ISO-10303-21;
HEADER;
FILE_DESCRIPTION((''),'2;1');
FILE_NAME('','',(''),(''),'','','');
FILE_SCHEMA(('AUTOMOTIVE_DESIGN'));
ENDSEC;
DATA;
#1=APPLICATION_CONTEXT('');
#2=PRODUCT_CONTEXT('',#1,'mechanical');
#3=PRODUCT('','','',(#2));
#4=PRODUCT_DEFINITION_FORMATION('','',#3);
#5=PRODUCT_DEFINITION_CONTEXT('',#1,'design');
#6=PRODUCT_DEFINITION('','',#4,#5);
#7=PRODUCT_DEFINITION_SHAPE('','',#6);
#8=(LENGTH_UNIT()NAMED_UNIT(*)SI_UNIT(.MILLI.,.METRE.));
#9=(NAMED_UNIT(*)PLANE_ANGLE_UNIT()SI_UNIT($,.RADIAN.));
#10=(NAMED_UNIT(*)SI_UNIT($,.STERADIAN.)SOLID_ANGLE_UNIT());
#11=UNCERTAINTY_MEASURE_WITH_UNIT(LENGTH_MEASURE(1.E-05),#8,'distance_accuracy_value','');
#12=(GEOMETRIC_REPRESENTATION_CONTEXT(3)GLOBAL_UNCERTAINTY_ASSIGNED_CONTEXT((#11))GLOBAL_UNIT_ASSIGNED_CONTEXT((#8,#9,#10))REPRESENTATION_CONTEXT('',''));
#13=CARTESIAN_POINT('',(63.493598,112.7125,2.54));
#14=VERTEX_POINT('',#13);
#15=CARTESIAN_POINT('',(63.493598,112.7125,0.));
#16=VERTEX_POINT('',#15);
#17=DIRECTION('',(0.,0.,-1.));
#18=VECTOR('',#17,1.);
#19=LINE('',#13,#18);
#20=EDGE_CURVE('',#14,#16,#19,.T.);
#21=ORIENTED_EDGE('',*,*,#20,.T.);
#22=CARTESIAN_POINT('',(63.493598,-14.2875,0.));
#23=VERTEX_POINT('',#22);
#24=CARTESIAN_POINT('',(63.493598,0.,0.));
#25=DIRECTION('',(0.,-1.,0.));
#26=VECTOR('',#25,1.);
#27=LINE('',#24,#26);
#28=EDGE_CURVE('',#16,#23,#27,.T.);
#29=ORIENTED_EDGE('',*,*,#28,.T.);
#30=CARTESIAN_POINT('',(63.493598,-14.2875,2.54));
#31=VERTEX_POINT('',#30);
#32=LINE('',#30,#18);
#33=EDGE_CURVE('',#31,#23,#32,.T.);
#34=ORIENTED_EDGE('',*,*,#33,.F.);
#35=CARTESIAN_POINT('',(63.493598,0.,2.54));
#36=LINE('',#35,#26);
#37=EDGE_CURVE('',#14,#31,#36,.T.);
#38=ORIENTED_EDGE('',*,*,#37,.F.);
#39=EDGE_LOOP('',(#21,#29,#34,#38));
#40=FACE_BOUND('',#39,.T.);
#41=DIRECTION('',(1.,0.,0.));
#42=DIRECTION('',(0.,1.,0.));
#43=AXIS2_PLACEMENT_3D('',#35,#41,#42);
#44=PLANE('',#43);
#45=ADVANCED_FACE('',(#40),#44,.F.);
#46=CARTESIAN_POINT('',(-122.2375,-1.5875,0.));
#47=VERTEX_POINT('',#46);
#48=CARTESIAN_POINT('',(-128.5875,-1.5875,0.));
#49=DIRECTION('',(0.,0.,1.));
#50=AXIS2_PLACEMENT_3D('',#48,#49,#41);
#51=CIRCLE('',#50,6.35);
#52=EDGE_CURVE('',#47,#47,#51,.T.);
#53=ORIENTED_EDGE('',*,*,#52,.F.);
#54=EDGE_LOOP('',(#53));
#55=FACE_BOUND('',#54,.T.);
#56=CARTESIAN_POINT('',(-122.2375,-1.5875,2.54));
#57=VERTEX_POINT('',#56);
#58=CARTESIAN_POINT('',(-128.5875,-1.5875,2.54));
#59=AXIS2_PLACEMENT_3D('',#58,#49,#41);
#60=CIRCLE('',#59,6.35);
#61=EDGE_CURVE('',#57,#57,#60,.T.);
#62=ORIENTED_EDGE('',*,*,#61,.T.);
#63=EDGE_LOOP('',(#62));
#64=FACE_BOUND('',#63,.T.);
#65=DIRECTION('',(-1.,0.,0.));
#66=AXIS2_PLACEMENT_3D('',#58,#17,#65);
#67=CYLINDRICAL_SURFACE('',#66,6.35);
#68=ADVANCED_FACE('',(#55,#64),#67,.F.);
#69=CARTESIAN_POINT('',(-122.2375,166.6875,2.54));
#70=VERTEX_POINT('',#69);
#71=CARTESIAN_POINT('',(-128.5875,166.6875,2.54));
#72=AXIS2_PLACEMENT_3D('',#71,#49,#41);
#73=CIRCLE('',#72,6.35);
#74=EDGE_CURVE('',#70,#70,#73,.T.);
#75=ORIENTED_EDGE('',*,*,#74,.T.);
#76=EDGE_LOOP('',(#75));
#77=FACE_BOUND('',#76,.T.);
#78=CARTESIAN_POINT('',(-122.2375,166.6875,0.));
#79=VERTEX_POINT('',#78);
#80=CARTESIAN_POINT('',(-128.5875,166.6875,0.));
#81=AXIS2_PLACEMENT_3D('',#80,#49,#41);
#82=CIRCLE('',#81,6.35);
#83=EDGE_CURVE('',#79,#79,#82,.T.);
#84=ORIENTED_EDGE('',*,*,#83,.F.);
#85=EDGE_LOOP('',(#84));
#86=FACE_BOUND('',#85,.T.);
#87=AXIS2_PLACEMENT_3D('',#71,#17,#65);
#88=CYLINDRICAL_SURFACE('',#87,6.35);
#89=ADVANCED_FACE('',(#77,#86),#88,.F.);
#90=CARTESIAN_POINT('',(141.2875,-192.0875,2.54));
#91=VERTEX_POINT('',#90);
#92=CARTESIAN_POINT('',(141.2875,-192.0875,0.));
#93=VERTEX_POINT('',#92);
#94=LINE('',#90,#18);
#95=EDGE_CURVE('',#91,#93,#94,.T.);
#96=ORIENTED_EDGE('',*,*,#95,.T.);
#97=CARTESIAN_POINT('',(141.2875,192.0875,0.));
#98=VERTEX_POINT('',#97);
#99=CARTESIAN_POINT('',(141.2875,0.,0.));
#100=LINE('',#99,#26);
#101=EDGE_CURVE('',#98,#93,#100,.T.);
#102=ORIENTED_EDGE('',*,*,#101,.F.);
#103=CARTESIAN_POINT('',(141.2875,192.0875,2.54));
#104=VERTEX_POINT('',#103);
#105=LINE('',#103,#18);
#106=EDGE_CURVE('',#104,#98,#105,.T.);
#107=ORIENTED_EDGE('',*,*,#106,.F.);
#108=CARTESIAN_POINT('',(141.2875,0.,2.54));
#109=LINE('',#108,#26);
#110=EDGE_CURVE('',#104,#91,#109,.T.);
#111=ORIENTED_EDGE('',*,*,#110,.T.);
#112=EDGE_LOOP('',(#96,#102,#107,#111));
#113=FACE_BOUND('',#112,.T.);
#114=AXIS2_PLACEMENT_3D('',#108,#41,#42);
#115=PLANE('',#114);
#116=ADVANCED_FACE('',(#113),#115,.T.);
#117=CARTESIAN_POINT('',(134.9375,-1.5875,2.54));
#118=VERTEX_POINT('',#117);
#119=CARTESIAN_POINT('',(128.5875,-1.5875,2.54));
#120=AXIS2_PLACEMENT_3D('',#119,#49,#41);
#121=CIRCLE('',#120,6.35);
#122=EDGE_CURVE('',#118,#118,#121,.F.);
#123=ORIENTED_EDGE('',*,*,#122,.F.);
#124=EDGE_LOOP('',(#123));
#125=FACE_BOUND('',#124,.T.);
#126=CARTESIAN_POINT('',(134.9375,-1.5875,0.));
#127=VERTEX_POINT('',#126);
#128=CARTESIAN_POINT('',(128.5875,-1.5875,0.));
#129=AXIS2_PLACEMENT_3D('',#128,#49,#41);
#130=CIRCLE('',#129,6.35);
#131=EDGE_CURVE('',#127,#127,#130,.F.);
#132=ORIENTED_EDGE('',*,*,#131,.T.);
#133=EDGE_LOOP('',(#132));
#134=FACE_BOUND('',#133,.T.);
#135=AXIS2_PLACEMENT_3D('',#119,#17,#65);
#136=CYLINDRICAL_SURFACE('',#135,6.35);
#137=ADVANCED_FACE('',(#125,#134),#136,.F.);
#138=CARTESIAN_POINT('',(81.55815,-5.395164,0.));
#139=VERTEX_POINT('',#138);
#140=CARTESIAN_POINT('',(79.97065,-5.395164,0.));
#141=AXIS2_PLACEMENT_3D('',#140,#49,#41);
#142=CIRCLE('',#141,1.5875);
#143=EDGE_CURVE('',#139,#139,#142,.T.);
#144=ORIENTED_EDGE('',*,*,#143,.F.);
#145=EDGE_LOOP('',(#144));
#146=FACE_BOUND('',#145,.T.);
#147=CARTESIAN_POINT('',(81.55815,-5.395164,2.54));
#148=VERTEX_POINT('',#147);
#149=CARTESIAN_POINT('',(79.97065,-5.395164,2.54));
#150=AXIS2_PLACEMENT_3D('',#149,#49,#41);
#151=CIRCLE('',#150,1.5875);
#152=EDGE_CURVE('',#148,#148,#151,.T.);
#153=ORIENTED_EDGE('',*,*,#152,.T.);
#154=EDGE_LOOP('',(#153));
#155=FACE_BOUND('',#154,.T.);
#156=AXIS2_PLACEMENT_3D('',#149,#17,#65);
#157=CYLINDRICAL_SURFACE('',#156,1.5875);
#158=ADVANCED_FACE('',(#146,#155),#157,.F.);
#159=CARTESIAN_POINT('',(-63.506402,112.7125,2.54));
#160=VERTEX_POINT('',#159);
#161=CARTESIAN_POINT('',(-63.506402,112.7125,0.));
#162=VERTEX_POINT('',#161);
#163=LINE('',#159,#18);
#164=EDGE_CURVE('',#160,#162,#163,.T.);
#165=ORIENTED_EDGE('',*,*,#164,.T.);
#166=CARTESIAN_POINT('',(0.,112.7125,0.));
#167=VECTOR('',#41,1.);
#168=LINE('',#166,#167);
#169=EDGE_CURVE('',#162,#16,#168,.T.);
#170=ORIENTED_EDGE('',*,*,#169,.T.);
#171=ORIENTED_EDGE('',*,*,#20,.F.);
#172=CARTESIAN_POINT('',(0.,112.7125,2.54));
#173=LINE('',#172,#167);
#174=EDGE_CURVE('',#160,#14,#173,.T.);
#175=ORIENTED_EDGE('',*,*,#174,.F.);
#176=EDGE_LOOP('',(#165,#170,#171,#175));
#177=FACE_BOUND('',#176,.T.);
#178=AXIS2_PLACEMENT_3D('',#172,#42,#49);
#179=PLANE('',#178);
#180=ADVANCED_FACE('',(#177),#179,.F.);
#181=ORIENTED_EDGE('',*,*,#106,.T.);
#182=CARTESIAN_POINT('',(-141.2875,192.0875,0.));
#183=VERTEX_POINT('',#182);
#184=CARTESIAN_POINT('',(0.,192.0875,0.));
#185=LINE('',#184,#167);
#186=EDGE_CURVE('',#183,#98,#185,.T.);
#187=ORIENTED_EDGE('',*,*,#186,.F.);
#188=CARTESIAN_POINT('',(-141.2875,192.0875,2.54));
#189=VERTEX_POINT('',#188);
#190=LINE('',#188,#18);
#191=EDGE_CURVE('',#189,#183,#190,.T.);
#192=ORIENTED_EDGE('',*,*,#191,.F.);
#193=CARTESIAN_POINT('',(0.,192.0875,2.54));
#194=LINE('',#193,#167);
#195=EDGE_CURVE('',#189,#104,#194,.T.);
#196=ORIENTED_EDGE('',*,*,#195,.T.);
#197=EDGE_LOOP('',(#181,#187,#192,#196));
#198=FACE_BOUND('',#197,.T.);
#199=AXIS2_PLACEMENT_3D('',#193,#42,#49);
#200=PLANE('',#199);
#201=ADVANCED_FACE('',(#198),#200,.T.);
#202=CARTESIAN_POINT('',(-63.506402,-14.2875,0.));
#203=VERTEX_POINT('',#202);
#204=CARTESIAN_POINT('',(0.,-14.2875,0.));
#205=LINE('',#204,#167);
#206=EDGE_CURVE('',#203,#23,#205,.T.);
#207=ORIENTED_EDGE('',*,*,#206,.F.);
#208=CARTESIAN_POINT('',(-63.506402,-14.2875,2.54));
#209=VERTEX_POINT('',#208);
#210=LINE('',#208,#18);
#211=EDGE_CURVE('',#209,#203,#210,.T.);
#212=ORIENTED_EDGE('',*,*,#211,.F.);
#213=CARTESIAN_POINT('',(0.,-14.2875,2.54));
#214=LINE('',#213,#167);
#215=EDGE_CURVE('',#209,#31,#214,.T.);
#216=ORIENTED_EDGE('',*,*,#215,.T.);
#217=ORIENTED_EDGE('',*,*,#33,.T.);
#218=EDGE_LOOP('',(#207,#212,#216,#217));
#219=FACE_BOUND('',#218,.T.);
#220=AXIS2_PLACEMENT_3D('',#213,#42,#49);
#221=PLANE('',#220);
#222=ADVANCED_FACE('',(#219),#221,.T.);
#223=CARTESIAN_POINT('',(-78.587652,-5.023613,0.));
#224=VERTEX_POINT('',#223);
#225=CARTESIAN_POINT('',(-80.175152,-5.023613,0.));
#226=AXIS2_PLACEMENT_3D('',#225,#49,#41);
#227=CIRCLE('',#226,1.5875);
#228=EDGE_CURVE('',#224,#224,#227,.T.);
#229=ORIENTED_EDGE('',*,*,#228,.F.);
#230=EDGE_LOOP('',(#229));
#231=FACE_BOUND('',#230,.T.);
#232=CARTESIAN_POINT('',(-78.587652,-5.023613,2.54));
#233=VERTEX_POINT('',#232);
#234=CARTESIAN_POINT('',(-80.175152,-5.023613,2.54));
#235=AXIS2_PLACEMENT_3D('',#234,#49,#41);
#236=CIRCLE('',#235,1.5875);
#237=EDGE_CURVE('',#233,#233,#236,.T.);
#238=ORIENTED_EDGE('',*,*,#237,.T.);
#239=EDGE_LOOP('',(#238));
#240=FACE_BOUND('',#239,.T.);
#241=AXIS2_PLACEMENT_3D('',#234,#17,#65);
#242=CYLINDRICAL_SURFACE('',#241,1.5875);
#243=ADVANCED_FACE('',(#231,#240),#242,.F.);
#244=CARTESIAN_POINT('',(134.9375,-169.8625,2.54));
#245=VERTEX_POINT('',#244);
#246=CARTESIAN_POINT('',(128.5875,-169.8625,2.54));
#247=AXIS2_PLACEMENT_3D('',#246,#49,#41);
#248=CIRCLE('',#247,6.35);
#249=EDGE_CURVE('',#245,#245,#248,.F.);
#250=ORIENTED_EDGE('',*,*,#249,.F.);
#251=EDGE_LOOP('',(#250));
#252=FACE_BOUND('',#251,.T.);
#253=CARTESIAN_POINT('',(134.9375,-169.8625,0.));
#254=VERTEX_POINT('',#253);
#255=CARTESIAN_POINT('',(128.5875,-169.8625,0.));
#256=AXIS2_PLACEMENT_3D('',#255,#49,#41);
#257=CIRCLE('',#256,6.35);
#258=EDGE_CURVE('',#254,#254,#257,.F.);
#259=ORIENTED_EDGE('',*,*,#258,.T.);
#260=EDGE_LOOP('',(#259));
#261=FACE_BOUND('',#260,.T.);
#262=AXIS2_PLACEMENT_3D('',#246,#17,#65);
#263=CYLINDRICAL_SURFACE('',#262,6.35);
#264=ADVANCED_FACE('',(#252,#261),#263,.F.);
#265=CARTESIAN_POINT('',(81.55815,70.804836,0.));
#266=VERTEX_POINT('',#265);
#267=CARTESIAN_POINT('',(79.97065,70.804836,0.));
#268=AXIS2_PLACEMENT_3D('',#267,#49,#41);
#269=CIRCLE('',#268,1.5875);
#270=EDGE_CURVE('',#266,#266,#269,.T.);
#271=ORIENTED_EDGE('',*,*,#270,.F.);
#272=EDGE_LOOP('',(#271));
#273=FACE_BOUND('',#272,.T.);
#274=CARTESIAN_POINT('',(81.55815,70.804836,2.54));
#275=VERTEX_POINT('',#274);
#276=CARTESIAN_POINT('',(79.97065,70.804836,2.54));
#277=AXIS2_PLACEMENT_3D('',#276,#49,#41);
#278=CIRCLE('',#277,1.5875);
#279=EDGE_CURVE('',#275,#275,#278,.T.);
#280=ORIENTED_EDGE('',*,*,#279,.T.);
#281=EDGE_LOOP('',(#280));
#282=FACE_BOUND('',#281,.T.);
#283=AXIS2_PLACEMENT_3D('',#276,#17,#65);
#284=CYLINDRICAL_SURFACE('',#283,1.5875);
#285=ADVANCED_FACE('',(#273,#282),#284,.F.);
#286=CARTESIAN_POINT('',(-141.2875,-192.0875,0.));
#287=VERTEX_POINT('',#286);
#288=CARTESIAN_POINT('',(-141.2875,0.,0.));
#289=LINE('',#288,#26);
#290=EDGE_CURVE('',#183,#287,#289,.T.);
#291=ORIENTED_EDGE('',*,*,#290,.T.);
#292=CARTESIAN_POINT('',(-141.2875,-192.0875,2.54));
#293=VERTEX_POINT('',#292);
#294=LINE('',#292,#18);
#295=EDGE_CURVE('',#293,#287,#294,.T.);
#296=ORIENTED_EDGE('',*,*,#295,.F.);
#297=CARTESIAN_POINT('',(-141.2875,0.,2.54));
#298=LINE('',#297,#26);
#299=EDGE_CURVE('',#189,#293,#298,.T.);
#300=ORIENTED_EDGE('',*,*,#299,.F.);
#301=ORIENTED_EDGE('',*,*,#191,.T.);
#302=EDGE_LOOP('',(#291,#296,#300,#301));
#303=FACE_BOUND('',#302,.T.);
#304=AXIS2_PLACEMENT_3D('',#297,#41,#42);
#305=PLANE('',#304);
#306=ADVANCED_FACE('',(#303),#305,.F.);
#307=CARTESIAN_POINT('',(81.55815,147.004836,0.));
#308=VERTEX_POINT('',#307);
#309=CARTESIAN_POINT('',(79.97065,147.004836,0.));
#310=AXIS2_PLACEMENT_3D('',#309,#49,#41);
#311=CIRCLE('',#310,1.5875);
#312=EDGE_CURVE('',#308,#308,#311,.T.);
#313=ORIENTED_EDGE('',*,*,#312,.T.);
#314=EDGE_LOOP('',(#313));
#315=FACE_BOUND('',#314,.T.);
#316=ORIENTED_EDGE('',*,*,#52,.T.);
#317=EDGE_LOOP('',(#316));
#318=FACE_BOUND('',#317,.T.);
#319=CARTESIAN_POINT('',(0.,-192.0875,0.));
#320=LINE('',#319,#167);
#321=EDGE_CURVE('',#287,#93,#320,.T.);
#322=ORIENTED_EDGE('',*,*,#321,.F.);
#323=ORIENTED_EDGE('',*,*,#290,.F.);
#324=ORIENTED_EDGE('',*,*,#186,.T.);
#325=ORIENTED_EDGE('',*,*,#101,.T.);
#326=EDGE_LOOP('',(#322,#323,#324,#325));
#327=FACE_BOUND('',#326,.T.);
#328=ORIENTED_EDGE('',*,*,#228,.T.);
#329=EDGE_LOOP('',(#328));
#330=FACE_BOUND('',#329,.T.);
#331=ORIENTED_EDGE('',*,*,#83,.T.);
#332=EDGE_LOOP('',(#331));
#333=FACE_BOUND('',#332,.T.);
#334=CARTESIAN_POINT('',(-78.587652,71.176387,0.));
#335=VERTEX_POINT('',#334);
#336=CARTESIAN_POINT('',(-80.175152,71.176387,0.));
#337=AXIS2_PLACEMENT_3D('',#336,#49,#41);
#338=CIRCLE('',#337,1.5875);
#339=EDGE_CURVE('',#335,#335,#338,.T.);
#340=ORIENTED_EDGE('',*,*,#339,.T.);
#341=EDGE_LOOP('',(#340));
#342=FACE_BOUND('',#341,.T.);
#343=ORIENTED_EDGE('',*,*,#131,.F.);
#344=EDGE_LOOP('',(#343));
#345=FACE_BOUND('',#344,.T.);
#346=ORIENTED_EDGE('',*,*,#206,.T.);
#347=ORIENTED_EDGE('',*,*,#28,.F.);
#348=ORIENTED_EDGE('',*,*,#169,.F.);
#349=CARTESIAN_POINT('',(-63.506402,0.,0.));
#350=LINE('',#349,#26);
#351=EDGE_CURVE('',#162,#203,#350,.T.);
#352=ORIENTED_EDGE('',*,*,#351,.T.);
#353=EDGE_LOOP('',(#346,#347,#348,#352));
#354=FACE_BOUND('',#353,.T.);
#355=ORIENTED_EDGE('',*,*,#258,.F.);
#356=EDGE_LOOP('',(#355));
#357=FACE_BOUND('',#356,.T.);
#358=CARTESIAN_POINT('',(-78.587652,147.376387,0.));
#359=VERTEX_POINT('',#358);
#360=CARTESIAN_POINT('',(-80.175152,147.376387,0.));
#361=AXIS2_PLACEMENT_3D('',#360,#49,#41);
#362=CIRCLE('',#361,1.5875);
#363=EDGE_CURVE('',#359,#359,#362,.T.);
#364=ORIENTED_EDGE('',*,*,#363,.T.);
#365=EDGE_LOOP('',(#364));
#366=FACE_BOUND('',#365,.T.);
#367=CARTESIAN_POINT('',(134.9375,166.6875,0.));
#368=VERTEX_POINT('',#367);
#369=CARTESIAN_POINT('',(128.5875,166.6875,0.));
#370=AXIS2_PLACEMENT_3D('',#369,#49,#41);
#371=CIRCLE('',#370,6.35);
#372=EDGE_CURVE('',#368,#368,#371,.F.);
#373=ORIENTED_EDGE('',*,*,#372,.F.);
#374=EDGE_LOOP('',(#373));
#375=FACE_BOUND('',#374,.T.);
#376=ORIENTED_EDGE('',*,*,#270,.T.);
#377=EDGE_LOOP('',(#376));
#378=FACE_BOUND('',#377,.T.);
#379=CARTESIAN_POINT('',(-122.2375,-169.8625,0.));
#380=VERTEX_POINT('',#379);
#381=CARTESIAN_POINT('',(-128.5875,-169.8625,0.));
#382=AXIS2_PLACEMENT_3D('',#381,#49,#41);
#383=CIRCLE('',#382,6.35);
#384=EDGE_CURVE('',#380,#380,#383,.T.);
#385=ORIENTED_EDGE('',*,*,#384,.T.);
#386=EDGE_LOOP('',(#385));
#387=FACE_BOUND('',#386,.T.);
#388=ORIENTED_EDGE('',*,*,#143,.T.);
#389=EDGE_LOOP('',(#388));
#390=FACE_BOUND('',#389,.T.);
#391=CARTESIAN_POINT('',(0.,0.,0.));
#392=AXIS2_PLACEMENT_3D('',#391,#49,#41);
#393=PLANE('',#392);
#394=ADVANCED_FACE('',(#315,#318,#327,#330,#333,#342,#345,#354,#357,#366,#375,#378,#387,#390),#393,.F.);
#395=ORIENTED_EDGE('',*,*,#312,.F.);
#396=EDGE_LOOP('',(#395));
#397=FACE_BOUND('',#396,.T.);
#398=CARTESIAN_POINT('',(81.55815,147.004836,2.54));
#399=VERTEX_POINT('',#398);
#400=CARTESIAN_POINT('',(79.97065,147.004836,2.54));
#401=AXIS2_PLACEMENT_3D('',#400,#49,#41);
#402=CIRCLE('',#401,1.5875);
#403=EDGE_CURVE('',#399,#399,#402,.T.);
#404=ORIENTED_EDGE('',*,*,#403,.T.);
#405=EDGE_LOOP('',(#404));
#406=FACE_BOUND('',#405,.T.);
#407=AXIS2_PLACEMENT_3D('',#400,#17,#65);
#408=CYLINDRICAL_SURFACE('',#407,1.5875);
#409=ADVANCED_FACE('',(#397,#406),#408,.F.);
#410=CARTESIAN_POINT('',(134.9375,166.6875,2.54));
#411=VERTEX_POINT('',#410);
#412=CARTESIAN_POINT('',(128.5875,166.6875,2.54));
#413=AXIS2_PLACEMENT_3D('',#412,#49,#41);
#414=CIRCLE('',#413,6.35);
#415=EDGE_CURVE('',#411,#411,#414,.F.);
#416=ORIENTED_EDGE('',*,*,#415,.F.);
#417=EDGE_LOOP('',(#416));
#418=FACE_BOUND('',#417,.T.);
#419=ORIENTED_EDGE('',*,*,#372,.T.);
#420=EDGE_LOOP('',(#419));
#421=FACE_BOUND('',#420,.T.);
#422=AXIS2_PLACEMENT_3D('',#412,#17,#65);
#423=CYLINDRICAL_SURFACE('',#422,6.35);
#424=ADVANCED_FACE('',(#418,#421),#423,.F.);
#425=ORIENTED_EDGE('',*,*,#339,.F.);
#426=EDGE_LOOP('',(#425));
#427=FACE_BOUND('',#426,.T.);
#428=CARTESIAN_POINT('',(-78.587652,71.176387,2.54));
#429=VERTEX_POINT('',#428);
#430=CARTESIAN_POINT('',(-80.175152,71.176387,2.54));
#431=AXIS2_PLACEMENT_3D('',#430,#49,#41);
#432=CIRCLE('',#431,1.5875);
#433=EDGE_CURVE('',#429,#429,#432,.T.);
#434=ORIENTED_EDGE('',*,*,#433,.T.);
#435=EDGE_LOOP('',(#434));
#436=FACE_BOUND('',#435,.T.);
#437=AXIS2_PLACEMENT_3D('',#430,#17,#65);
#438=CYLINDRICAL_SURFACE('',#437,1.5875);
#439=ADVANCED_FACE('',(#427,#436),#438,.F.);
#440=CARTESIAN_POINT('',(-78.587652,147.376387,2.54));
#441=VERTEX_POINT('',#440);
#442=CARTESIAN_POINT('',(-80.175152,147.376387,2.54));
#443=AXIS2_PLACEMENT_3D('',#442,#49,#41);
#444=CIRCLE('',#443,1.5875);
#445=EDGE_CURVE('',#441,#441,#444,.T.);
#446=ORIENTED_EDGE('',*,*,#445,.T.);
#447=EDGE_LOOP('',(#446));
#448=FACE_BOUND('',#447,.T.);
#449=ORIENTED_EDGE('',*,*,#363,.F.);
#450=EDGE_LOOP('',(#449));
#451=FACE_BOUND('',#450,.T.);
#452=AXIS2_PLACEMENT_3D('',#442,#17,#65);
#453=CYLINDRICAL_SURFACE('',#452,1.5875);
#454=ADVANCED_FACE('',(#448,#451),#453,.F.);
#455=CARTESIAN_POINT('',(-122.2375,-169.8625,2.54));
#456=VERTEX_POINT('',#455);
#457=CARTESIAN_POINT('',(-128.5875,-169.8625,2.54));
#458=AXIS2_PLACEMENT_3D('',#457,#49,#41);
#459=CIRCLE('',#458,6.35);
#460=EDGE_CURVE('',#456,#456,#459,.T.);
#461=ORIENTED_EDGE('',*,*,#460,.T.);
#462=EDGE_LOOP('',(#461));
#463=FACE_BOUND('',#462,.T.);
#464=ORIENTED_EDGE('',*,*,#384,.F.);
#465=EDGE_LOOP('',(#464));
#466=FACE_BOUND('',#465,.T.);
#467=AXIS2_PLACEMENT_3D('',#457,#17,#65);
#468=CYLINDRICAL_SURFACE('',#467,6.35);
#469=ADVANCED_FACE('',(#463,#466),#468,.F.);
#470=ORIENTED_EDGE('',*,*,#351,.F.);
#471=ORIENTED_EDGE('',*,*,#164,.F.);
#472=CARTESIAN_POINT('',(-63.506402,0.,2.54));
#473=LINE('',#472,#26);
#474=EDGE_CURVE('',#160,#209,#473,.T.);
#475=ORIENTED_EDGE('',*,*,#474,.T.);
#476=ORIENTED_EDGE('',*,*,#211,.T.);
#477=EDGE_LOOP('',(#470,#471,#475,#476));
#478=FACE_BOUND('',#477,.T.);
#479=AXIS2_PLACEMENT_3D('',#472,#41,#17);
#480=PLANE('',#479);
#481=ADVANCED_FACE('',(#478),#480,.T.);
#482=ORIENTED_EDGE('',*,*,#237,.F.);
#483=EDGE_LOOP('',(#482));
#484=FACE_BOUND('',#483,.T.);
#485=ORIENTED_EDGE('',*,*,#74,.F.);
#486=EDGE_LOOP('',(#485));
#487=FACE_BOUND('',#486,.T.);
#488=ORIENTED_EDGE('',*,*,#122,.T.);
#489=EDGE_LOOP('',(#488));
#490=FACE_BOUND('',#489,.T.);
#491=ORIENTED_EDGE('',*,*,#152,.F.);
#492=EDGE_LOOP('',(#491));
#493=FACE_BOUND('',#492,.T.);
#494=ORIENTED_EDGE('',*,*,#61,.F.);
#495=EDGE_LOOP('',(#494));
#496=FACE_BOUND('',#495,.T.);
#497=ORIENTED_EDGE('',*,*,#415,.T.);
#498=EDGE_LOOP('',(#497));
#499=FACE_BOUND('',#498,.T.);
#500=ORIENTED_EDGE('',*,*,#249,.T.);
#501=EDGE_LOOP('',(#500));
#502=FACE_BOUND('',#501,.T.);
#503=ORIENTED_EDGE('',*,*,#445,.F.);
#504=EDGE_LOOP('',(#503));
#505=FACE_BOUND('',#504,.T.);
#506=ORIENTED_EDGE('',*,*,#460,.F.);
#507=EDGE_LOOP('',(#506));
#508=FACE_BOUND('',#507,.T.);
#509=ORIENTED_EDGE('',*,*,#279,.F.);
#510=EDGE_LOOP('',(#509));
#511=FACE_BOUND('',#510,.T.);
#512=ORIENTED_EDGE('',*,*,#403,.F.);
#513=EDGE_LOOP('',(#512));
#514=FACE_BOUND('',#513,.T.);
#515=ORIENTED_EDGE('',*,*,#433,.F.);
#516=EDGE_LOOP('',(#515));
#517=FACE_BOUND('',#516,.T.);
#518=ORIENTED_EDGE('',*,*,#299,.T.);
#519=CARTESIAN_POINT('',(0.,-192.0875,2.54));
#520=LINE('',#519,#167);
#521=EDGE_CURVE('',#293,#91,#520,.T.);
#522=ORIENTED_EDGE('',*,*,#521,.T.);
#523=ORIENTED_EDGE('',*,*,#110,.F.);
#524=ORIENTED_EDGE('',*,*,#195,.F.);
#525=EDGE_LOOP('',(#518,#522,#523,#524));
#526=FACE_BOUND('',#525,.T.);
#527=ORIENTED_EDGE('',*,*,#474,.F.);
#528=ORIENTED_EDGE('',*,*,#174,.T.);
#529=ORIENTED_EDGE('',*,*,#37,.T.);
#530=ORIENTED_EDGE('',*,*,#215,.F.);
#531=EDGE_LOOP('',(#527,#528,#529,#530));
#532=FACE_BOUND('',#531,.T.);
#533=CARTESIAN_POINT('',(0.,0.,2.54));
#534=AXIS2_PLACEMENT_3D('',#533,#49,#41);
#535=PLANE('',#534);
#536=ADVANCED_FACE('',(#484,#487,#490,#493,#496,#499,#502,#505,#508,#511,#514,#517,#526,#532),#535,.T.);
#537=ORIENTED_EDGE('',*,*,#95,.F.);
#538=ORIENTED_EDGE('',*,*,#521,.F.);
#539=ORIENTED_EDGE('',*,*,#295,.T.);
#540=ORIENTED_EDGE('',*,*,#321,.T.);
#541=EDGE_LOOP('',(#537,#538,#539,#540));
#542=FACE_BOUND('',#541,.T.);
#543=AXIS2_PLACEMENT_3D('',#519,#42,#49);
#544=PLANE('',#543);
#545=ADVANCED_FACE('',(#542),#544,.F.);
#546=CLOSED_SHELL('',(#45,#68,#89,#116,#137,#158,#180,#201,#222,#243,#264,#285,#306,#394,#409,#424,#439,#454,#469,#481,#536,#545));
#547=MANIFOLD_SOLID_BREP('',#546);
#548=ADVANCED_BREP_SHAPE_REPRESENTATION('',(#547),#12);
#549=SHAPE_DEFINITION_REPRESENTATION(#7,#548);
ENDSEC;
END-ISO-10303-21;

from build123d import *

# Parameters (mm, degrees)
SKETCH1_W           = 282.575
SKETCH1_H           = 384.175
SKETCH1_R           = 6.35
SKETCH1_R_2         = 1.5875
SKETCH1_W_2         = 127
SKETCH1_H_2         = 127
BOSS_EXTRUDE1_DEPTH = 2.54


with BuildPart() as part:
    # Sketch1 → Boss-Extrude1 (new body)
    with BuildSketch(Plane.XY):
        Rectangle(SKETCH1_W, SKETCH1_H)
        with Locations((-128.5875, 166.6875)):
            Circle(SKETCH1_R, mode=Mode.SUBTRACT)
        with Locations((-128.5875, -1.5875)):
            Circle(SKETCH1_R, mode=Mode.SUBTRACT)
        with Locations((-128.5875, -169.8625)):
            Circle(SKETCH1_R, mode=Mode.SUBTRACT)
        with Locations((128.5875, -1.5875)):
            Circle(SKETCH1_R, mode=Mode.SUBTRACT)
        with Locations((128.5875, 166.6875)):
            Circle(SKETCH1_R, mode=Mode.SUBTRACT)
        with Locations((128.5875, -169.8625)):
            Circle(SKETCH1_R, mode=Mode.SUBTRACT)
        with Locations((-80.175152311, 147.376386757)):
            Circle(SKETCH1_R_2, mode=Mode.SUBTRACT)
        with Locations((-80.175152311, 71.176386757)):
            Circle(SKETCH1_R_2, mode=Mode.SUBTRACT)
        with Locations((-80.175152311, -5.023613243)):
            Circle(SKETCH1_R_2, mode=Mode.SUBTRACT)
        with Locations((79.970650499, -5.395164494)):
            Circle(SKETCH1_R_2, mode=Mode.SUBTRACT)
        with Locations((79.970650499, 70.804835506)):
            Circle(SKETCH1_R_2, mode=Mode.SUBTRACT)
        with Locations((79.970650499, 147.004835506)):
            Circle(SKETCH1_R_2, mode=Mode.SUBTRACT)
        with Locations((-0.006402311, 49.2125)):
            Rectangle(SKETCH1_W_2, SKETCH1_H_2, mode=Mode.SUBTRACT)
    extrude(amount=BOSS_EXTRUDE1_DEPTH)


solid = part.part
